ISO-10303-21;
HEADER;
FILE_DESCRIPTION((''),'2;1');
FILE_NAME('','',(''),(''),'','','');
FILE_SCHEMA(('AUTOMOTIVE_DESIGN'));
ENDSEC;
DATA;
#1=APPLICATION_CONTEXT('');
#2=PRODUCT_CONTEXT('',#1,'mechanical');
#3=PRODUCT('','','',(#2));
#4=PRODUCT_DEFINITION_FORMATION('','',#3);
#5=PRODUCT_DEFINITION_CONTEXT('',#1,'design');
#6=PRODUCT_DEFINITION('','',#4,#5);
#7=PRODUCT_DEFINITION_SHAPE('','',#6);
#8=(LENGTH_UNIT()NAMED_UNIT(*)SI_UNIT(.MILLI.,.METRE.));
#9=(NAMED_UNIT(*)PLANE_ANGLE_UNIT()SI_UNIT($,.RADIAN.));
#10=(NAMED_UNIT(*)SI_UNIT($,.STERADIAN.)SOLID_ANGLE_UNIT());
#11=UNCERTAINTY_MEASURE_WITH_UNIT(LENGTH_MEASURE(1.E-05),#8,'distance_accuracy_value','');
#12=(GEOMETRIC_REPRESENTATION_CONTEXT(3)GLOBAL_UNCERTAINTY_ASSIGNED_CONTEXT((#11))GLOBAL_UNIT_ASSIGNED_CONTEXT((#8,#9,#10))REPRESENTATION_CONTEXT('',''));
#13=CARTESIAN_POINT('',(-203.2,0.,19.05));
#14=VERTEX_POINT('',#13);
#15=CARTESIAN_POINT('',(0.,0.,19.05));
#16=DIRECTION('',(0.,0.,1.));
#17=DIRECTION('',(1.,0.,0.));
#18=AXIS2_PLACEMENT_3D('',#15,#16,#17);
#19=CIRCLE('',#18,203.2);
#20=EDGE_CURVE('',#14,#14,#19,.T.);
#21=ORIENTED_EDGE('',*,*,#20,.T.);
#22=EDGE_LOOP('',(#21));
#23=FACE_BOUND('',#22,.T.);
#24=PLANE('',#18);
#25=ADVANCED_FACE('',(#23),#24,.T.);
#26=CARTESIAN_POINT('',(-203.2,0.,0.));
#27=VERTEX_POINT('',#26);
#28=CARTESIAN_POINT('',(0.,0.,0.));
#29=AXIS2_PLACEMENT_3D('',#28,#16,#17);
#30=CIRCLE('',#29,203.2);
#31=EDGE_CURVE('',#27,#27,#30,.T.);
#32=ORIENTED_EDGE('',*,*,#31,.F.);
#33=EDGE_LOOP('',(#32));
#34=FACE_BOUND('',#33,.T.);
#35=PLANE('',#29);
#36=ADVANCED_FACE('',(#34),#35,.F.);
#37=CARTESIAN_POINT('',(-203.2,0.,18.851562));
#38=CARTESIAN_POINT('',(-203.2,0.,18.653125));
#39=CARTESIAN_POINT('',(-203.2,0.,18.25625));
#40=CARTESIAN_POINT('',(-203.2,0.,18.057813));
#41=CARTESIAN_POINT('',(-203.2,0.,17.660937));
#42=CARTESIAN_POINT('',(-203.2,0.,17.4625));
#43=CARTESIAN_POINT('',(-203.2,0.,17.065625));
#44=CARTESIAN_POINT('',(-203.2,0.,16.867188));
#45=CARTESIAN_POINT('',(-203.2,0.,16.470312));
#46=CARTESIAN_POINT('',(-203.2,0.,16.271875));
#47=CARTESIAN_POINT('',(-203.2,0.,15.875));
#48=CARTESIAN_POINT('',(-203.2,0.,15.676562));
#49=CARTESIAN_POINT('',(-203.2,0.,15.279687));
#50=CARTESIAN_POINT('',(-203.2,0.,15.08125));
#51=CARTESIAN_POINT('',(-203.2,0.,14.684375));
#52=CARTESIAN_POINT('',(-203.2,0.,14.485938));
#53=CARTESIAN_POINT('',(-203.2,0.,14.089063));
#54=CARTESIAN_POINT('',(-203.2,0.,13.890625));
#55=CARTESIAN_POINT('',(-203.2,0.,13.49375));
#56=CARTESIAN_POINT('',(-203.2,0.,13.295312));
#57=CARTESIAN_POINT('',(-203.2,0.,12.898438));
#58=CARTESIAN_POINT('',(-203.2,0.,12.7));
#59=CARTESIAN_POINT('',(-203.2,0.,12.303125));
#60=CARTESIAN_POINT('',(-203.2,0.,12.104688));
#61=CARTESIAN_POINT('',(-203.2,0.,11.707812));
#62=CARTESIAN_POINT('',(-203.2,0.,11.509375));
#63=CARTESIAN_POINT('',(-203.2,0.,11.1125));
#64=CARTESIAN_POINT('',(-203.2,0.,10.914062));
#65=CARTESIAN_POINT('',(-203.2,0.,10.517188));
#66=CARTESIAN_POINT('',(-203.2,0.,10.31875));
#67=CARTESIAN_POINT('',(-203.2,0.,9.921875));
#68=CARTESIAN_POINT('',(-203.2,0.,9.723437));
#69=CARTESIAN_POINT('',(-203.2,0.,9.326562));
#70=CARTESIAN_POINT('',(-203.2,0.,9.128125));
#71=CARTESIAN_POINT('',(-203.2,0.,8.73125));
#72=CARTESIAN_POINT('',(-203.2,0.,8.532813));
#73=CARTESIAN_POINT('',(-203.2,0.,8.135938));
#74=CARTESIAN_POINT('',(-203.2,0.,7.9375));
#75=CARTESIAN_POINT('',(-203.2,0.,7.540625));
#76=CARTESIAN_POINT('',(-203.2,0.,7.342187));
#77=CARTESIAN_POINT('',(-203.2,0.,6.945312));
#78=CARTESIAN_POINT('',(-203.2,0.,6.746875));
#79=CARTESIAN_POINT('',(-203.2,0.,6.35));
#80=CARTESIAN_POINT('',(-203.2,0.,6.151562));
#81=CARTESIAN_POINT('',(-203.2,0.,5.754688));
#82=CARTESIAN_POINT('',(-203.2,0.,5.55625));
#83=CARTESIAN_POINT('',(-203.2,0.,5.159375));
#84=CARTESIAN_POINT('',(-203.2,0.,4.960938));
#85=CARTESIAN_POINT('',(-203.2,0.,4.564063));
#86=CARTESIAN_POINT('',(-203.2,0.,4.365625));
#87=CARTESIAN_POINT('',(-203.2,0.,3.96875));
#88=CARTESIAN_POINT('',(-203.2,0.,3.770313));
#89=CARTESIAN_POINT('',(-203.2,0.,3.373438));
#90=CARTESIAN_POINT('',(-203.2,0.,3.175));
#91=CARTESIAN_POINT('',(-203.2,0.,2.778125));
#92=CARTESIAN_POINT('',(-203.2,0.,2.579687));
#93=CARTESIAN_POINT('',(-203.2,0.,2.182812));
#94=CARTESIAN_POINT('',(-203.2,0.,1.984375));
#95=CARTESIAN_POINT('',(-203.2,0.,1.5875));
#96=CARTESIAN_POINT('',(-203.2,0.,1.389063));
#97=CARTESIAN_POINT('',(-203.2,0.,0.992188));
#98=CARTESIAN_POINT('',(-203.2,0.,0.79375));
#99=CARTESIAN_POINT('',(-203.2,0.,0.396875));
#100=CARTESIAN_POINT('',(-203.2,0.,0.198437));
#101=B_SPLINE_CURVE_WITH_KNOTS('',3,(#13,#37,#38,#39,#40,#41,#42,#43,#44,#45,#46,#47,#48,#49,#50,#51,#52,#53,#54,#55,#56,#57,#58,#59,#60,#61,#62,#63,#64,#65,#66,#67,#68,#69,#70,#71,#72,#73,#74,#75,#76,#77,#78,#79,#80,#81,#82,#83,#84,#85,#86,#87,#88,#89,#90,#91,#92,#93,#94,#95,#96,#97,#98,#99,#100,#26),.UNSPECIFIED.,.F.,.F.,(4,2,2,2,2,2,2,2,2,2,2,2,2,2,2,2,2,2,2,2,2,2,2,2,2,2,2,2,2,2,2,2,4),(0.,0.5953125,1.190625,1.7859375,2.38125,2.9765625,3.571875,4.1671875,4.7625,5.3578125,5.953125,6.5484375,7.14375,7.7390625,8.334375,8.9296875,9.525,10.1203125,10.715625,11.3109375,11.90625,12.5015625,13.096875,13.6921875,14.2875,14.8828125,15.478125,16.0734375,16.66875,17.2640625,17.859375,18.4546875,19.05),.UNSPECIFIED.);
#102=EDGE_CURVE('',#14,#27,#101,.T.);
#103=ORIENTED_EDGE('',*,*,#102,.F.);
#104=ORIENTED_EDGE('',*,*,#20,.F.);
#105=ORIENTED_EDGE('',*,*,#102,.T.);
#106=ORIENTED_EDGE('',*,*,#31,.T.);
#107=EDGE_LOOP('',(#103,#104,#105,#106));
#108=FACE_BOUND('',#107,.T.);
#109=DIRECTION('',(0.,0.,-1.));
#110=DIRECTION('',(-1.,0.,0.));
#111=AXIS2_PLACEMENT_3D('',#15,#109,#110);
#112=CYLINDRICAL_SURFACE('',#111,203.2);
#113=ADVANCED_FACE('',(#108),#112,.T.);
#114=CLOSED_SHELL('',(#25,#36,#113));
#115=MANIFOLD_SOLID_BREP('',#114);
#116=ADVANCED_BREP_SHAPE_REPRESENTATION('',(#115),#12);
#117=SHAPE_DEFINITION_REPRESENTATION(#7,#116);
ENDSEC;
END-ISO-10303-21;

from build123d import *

# Parameters (mm, degrees)
SKETCH1_R           = 203.2
BOSS_EXTRUDE1_DEPTH = 19.05


with BuildPart() as part:
    # Sketch1 → Boss-Extrude1 (new body)
    with BuildSketch(Plane.XY):
        with Locations(Location((0, 0, 0), (0, 0, 180))):
            Circle(SKETCH1_R)
    extrude(amount=BOSS_EXTRUDE1_DEPTH)


solid = part.part
